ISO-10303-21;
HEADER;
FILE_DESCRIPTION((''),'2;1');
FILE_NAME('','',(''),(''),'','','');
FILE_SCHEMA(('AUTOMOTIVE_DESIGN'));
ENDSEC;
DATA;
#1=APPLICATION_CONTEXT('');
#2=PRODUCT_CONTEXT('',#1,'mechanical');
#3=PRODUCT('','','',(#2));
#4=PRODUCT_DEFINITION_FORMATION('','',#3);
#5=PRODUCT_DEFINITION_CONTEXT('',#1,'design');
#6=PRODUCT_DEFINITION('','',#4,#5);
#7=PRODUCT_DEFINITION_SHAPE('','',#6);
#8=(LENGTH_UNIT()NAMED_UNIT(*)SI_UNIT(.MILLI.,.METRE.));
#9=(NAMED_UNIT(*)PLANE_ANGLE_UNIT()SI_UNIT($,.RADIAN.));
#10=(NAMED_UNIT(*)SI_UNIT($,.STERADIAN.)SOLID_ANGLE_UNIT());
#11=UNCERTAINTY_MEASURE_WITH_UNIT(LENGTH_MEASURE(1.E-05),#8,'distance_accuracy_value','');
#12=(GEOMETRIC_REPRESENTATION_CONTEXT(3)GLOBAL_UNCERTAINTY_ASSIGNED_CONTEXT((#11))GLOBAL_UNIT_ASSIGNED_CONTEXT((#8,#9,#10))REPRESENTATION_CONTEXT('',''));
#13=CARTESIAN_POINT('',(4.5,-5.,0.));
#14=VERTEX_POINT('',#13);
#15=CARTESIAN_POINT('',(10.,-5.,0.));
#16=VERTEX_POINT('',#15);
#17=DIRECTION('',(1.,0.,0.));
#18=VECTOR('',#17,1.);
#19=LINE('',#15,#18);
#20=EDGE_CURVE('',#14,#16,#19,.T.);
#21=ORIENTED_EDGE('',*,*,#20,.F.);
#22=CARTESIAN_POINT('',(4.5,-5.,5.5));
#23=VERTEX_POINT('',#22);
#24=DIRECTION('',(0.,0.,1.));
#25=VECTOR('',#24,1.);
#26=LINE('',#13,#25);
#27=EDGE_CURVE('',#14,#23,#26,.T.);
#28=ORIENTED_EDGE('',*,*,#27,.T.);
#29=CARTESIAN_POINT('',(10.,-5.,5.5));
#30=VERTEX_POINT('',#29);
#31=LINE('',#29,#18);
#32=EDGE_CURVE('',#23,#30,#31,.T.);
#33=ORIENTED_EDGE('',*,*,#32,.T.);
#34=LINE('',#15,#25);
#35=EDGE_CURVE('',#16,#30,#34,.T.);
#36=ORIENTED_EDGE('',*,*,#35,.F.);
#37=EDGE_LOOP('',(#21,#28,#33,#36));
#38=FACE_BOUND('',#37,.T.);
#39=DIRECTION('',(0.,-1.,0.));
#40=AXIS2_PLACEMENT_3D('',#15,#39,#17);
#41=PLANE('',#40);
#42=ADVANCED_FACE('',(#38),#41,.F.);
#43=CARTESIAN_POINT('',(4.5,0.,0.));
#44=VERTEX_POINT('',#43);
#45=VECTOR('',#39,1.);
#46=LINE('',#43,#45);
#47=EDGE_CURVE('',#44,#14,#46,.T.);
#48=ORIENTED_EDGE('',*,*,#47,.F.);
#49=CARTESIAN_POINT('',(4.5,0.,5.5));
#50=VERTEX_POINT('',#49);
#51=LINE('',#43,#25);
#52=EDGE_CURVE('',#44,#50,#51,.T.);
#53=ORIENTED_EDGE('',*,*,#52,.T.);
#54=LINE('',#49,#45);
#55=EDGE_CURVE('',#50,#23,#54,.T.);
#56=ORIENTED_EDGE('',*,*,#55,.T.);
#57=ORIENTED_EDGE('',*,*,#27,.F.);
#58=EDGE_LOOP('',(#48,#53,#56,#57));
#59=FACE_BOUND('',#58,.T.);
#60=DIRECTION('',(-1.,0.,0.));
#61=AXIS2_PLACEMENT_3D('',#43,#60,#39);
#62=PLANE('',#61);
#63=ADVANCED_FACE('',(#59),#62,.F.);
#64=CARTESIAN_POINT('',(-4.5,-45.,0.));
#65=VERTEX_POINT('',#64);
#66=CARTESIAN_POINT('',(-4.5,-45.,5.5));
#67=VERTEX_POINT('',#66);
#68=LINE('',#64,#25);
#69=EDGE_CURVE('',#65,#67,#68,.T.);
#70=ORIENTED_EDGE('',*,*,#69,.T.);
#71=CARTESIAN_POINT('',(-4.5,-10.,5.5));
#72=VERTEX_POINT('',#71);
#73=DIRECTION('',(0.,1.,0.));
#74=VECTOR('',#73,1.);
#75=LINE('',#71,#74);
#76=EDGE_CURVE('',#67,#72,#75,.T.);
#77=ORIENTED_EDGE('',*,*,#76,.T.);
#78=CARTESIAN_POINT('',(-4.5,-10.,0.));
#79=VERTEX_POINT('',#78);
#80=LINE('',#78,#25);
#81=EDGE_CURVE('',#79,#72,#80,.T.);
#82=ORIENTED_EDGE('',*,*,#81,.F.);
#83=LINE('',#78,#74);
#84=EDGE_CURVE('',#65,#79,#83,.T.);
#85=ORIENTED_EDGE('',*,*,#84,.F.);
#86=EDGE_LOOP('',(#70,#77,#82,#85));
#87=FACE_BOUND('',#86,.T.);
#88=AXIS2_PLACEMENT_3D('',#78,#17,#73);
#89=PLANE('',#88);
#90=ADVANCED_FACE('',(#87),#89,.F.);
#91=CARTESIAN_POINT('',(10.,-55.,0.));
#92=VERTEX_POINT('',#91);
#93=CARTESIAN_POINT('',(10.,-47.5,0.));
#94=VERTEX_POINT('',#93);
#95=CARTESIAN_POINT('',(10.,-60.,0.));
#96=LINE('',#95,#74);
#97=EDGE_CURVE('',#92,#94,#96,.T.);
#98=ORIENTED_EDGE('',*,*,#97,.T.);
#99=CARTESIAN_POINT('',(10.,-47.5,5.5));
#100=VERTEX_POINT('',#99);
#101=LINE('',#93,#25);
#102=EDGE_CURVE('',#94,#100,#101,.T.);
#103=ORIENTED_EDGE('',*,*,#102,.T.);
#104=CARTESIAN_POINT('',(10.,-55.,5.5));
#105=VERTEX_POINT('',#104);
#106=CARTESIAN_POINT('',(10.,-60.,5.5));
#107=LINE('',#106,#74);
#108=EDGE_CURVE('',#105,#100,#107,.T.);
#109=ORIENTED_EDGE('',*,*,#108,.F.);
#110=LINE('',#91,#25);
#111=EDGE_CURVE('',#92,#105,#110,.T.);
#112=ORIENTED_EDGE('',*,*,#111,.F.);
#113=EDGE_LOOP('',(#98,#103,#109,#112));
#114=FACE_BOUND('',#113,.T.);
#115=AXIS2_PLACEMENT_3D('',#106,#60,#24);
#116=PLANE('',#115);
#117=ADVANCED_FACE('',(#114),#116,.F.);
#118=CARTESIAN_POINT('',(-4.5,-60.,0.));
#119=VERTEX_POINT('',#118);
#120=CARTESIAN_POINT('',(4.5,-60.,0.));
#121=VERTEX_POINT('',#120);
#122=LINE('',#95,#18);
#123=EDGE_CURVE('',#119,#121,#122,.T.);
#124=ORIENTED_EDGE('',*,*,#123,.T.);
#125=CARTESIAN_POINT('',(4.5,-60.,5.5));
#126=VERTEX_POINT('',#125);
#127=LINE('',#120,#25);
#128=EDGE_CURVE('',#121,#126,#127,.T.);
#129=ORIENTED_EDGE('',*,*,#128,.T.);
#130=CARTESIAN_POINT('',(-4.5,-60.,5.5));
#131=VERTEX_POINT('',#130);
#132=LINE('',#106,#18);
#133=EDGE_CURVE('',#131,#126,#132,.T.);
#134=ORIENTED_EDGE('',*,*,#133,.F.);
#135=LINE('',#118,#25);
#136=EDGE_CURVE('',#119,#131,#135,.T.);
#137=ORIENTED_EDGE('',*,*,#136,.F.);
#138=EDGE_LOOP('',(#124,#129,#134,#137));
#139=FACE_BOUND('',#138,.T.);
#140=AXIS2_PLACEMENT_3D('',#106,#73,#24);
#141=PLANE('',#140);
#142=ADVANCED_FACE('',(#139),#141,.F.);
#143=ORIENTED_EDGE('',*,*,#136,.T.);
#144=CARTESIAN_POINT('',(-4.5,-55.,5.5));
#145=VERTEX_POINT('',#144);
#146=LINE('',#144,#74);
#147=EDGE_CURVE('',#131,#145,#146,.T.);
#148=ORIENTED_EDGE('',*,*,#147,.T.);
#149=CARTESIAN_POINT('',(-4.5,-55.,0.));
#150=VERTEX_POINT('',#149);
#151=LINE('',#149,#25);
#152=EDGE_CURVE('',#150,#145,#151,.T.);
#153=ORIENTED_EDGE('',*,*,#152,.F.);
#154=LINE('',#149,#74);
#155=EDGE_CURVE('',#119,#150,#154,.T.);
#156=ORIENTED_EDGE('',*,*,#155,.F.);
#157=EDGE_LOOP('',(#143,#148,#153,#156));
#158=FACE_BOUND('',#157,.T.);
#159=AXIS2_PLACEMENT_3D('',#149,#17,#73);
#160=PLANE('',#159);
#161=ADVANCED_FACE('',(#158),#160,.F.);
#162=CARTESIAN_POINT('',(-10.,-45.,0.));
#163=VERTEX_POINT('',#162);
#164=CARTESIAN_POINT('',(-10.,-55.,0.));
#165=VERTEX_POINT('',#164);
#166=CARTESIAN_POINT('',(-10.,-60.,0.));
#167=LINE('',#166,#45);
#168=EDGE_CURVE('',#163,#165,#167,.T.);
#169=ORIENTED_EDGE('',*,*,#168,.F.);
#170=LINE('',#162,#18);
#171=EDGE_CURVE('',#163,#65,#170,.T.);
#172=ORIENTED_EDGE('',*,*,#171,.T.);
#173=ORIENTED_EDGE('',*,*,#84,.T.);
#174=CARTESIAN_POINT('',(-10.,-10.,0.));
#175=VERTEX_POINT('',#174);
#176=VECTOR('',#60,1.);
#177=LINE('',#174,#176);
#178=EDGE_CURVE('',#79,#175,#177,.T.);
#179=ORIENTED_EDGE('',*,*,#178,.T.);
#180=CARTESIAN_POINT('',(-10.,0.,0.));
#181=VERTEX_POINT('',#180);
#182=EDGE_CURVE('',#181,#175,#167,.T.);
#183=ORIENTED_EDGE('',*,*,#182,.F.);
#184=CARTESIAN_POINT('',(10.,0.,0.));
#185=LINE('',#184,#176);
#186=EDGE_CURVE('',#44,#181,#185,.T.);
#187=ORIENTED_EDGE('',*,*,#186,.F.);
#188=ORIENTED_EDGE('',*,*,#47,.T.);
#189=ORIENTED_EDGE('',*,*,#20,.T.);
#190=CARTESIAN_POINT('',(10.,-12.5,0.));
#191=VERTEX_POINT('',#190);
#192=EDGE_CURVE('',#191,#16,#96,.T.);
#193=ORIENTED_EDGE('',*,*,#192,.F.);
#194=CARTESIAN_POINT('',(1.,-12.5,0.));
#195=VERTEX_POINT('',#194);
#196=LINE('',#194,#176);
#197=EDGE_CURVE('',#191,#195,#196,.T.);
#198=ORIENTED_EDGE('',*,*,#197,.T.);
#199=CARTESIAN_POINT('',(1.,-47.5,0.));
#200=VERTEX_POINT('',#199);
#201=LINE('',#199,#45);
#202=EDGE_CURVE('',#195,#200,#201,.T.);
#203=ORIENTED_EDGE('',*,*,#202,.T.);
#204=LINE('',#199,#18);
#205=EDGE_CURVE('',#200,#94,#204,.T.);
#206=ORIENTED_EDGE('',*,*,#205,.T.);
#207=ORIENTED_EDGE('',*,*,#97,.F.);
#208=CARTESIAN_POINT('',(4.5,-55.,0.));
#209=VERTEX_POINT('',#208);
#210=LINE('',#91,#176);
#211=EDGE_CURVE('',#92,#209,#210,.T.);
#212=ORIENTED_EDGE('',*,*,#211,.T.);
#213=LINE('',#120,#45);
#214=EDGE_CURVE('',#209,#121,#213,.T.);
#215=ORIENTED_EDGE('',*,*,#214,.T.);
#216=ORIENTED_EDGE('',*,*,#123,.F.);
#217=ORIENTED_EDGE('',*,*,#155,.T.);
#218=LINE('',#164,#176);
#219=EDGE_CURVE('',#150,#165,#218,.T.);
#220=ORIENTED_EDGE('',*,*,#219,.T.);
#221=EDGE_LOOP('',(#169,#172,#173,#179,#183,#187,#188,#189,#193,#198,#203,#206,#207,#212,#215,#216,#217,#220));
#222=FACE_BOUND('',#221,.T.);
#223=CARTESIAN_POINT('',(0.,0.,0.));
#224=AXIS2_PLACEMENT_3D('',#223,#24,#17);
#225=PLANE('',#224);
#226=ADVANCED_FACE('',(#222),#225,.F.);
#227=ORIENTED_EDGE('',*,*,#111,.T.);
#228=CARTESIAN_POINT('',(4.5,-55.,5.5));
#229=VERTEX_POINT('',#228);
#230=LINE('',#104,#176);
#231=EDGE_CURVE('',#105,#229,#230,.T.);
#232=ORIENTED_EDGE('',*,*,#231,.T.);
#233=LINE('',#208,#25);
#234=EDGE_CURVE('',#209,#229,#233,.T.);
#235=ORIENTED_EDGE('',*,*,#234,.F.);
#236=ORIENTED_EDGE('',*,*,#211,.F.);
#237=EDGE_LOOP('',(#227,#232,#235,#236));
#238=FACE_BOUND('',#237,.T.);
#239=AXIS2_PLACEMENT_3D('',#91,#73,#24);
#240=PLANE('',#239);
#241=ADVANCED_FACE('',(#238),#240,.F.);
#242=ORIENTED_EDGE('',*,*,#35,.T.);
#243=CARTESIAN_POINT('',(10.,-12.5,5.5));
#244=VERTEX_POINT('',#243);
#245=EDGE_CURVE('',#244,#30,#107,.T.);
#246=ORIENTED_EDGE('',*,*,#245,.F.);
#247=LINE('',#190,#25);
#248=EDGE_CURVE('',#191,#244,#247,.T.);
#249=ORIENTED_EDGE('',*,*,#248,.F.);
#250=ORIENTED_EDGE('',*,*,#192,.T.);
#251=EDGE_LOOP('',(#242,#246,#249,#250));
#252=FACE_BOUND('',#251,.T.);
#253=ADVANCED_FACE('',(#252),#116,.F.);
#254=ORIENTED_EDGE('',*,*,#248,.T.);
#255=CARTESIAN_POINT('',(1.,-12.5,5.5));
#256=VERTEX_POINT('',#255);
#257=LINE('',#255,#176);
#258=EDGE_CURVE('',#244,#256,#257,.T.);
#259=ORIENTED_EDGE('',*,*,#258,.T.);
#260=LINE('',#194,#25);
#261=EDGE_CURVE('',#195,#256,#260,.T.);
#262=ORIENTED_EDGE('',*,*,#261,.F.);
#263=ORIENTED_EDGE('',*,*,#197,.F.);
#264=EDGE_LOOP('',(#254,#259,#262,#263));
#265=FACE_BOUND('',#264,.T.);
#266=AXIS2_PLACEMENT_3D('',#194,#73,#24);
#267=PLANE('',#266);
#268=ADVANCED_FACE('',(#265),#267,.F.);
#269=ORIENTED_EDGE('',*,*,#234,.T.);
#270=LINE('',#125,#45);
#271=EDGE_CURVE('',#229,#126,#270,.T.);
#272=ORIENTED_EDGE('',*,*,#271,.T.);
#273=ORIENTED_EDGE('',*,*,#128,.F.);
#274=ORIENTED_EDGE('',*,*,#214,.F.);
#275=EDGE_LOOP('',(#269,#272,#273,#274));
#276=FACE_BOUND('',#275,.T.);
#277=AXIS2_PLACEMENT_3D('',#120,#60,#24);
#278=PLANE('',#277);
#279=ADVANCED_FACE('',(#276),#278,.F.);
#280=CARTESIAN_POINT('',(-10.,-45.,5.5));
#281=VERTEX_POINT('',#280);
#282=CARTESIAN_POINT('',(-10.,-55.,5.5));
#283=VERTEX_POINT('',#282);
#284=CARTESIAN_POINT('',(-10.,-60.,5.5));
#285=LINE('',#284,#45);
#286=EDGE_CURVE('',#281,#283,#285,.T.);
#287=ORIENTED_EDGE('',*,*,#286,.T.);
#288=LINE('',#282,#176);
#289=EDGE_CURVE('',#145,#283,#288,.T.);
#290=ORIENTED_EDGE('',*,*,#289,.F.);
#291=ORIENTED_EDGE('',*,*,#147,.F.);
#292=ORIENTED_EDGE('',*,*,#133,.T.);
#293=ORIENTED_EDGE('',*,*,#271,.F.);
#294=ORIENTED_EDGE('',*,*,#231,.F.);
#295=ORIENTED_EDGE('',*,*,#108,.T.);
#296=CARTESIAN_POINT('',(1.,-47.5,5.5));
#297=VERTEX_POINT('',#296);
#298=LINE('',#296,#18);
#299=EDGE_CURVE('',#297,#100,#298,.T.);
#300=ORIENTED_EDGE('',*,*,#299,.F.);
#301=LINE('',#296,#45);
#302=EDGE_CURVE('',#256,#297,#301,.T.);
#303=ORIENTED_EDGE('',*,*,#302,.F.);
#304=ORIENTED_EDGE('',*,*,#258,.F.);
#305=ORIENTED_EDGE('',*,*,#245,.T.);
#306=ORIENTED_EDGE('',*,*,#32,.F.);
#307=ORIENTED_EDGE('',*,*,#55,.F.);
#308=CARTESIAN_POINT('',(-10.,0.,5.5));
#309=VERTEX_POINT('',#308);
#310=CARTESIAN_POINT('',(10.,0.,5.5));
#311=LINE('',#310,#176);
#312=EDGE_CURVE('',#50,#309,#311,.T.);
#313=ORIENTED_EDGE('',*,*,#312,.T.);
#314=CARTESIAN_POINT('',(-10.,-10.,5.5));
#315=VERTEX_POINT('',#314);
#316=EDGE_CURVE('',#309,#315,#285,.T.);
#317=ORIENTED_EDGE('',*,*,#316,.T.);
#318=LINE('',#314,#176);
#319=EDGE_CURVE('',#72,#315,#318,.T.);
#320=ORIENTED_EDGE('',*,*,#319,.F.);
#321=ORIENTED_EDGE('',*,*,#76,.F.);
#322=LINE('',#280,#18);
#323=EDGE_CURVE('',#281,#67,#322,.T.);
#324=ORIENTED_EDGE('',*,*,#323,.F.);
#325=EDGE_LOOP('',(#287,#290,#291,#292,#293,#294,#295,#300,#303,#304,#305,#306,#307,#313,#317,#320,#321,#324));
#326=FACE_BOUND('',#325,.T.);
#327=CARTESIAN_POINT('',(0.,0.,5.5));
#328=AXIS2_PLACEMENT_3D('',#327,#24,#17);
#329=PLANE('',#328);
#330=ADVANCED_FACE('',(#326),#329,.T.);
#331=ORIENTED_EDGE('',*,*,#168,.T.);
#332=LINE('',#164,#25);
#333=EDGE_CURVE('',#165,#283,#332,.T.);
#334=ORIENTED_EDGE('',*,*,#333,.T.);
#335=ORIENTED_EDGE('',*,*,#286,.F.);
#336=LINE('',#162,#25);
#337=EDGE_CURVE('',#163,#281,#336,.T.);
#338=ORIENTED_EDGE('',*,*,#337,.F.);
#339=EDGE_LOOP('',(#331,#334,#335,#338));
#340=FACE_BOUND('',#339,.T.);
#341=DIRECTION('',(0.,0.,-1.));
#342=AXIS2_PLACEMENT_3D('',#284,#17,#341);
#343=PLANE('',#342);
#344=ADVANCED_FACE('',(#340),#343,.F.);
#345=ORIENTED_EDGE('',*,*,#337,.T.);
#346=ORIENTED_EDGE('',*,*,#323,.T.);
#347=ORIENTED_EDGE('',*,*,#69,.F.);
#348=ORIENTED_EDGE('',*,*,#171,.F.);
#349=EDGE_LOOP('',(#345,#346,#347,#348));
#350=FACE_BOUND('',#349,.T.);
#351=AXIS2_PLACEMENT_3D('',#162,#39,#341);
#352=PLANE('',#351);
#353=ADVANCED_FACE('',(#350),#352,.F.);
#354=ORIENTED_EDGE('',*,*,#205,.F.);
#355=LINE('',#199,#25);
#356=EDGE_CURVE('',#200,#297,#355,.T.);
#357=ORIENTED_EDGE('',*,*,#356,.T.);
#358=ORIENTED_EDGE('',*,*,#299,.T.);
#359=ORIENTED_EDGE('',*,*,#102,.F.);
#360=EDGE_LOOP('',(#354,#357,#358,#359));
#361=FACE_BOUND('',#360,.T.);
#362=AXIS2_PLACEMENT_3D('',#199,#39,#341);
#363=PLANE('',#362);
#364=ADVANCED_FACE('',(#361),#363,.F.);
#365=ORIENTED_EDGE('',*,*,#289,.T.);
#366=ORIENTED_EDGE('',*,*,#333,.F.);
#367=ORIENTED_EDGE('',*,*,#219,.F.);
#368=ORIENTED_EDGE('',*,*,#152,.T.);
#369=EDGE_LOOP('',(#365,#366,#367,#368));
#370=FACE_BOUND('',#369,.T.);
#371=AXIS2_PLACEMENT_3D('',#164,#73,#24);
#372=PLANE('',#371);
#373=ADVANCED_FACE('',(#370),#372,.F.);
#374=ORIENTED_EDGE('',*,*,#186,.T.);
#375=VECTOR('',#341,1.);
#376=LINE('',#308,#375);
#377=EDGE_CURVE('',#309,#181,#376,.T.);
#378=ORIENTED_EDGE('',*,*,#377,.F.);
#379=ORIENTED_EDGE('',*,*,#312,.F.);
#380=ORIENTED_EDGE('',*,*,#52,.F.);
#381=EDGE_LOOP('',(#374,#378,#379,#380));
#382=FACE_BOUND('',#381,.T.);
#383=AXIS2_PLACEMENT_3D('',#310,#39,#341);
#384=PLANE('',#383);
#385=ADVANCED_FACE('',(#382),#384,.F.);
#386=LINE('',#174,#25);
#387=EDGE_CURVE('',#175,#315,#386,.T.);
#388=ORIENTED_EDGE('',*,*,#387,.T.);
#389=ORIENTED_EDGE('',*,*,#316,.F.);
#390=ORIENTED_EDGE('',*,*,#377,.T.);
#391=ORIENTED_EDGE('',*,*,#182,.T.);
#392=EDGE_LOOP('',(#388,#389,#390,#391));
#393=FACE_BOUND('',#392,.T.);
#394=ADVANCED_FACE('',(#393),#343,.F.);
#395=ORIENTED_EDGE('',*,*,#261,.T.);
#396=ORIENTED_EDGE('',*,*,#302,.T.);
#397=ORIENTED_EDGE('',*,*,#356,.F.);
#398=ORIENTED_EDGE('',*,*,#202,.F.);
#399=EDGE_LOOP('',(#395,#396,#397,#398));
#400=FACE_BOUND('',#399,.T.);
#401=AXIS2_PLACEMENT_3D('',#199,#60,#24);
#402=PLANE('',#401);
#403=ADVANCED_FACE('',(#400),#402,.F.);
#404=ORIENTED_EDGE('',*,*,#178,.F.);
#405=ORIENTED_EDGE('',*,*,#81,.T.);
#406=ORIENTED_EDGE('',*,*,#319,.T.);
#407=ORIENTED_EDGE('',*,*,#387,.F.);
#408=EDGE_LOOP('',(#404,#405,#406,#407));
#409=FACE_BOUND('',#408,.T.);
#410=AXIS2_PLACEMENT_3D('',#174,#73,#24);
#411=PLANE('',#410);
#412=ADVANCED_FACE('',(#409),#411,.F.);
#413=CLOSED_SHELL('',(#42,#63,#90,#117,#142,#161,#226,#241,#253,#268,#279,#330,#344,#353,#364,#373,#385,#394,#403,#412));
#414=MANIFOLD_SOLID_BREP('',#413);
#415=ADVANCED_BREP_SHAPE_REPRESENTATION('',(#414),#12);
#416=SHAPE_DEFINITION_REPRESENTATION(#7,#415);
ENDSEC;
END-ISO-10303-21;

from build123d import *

# Parameters (mm, degrees)
SKETCH_1_W          = 20
SKETCH_1_H          = 60
EXTRUDE_1_DEPTH     = 5.5
SKETCH_3_W          = 5.5
SKETCH_3_H          = 35
SKETCH_3_H_2        = 5
SKETCH_3_W_2        = 9
CUT_EXTRUDE_1_DEPTH = 62.075772611


with BuildPart() as part:
    # ｽｹｯﾁ1 → ﾎﾞｽ - 押し出し1 (new body)
    with BuildSketch(Plane.XY):
        with Locations((0, -30)):
            Rectangle(SKETCH_1_W, SKETCH_1_H)
    extrude(amount=EXTRUDE_1_DEPTH)

    # ｽｹｯﾁ3 → ｶｯﾄ - 押し出し1 (cut, through all)
    with BuildSketch(Plane.XY.offset(5.5)):
        with Locations((-7.25, -27.5)):
            Rectangle(SKETCH_3_W, SKETCH_3_H)
        with Locations((-7.25, -57.5)):
            Rectangle(SKETCH_3_W, SKETCH_3_H_2)
        with Locations((5.5, -30)):
            Rectangle(SKETCH_3_W_2, SKETCH_3_H)
        with Locations((7.25, -57.5)):
            Rectangle(SKETCH_3_W, SKETCH_3_H_2)
        with Locations((7.25, -2.5)):
            Rectangle(SKETCH_3_W, SKETCH_3_H_2)
    extrude(amount=-CUT_EXTRUDE_1_DEPTH, mode=Mode.SUBTRACT)


solid = part.part
